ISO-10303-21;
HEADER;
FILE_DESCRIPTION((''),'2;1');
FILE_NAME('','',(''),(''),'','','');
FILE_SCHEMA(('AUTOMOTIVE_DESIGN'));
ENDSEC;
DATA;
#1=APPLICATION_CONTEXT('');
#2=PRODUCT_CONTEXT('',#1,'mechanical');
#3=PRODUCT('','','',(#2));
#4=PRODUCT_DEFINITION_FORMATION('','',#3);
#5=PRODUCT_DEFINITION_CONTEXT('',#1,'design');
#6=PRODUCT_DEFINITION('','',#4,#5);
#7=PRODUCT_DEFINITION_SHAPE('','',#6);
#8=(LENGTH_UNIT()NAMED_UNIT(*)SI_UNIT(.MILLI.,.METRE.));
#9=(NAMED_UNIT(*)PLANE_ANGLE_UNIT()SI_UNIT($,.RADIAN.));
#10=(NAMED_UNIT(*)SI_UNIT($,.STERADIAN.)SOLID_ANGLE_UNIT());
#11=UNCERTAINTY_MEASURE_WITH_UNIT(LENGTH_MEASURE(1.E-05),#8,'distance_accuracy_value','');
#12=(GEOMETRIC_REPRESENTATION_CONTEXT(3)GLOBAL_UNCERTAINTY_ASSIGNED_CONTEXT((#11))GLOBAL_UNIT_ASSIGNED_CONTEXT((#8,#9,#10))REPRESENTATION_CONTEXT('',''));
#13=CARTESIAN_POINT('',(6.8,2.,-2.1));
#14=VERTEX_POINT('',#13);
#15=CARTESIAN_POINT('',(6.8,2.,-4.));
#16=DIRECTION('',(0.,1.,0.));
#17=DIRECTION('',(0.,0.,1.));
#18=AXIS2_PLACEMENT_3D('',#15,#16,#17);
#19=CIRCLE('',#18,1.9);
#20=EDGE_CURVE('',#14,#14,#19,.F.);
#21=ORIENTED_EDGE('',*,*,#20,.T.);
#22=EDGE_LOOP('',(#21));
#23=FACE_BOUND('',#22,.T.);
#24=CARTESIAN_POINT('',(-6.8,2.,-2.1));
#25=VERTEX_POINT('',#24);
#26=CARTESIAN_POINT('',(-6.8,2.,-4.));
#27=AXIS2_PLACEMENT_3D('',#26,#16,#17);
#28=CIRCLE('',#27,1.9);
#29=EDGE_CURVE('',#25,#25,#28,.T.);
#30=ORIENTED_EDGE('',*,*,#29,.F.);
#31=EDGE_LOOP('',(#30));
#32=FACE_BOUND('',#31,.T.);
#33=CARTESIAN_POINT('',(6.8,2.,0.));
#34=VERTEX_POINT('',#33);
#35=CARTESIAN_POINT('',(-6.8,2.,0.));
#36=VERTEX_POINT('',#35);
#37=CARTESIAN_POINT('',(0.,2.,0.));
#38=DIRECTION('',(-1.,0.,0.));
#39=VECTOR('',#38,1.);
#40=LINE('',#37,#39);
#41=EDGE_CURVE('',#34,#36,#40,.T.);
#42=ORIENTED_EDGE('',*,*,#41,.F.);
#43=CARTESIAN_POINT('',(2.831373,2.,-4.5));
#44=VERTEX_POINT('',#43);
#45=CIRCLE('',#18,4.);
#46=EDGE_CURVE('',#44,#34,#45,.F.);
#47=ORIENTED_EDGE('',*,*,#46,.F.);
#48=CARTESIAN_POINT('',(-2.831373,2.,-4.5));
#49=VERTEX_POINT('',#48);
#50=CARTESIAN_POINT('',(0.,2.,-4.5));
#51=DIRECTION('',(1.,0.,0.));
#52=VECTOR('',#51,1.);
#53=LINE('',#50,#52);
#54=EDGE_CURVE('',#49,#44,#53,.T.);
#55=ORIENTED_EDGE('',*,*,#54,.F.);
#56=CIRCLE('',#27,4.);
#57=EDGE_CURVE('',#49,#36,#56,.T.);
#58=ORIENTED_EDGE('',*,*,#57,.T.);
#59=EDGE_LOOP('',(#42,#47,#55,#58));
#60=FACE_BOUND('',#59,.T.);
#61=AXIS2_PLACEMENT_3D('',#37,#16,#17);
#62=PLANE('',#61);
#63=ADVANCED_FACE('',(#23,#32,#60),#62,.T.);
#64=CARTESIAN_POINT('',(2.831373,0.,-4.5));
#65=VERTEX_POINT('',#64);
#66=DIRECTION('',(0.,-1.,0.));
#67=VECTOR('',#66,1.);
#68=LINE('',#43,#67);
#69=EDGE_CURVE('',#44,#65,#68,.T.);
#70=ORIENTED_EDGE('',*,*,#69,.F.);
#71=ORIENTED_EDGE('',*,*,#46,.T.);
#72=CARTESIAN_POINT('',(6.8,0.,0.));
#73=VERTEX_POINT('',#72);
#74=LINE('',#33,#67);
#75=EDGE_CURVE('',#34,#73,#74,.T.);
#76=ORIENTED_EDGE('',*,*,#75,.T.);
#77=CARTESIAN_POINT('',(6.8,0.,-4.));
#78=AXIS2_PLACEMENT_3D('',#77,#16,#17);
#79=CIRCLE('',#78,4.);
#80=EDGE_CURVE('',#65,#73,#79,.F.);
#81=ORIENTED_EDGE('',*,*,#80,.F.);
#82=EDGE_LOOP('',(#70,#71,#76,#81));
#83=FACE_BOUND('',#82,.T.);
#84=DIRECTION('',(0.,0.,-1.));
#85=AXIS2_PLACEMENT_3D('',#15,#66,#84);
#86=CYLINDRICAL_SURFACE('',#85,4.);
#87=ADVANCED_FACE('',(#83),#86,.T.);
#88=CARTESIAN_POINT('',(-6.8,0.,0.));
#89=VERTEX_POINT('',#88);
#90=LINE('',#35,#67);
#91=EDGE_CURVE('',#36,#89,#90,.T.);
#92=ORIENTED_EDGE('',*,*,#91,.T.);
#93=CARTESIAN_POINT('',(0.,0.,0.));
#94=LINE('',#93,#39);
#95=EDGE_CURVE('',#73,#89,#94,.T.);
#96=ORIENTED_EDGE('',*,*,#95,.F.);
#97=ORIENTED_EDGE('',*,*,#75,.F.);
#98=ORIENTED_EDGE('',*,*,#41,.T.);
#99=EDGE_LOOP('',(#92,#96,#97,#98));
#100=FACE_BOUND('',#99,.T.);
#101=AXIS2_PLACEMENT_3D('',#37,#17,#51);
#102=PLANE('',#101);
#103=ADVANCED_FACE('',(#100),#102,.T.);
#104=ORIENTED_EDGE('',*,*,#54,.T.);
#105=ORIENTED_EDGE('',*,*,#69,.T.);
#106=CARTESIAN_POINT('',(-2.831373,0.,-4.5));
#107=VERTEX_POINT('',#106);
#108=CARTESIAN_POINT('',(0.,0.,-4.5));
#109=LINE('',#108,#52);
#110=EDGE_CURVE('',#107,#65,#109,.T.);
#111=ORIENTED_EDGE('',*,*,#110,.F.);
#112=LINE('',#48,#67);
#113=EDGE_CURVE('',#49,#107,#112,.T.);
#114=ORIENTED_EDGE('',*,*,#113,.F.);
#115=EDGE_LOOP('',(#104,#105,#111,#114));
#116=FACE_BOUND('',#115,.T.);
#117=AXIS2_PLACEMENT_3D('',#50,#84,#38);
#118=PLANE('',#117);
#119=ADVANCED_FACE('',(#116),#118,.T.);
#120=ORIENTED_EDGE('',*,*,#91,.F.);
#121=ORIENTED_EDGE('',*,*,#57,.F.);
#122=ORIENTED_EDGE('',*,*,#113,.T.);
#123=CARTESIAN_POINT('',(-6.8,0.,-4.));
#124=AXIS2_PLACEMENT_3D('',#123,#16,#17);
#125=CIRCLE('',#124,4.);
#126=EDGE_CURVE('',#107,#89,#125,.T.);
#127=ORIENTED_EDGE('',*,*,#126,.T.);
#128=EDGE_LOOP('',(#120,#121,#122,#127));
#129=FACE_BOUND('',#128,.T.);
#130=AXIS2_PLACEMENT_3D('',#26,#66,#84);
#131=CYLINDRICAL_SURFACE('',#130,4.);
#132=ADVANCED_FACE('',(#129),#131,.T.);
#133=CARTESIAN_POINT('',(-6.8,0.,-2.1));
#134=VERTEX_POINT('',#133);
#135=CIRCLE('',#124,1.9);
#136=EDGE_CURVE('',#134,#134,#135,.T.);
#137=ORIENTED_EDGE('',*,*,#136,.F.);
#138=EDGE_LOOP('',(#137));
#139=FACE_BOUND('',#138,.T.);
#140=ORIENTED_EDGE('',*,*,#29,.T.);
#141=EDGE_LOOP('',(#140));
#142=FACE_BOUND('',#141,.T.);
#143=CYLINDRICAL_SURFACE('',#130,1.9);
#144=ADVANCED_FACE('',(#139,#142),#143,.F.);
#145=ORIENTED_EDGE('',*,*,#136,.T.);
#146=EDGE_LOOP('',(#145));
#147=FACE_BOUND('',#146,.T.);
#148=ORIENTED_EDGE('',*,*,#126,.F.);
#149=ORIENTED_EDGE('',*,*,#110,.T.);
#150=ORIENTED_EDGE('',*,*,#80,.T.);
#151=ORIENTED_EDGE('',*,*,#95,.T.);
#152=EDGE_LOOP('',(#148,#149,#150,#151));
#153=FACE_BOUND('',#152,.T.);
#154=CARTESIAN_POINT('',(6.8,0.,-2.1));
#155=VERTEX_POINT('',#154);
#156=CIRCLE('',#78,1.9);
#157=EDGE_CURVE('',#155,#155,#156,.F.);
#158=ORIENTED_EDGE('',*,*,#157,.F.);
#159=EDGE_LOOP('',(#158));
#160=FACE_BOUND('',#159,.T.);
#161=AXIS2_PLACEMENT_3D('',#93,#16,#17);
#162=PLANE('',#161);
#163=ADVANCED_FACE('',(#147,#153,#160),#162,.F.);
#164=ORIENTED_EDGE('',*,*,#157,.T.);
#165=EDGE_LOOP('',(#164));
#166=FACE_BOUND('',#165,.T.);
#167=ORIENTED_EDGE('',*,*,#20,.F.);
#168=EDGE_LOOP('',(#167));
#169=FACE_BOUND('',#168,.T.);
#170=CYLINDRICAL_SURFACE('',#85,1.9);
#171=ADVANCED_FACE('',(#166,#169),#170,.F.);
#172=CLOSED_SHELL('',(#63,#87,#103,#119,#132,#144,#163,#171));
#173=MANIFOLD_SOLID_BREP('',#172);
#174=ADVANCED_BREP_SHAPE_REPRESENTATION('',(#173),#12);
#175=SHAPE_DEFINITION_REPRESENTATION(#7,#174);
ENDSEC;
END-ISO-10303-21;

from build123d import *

# Parameters (mm, degrees)
SKETCH1_R           = 4
SKETCH1_R_2         = 1.9
BOSS_EXTRUDE1_DEPTH = 2


with BuildPart() as part:
    # Sketch1 → Boss-Extrude1 (new body)
    # profile 1 of 4: a face of its own
    with BuildSketch(Plane(origin=(0, 0, 0), x_dir=(1, 0, 0), z_dir=(0, 1, 0))):
        with Locations((-6.8, 4)):
            Circle(SKETCH1_R)
        with Locations(Location((-6.8, 4, 0), (0, 0, 270))):
            Circle(SKETCH1_R_2, mode=Mode.SUBTRACT)
    # profile 2 of 4: a face of its own
    with BuildSketch(Plane(origin=(0, 0, 0), x_dir=(1, 0, 0), z_dir=(0, 1, 0))):
        with BuildLine():
            Line((-6.8, 0), (0, 0))
            Line((0, 0), (0, 4.5))
            Line((0, 4.5), (-2.831373033, 4.5))
            ThreePointArc((-2.831373033, 4.5), (-2.807850963, 4.25049165), (-2.8, 4))
            ThreePointArc((-2.8, 4), (-3.971572875, 1.171572875), (-6.8, 0))
        make_face()
    # profile 3 of 4: a face of its own
    with BuildSketch(Plane(origin=(0, 0, 0), x_dir=(1, 0, 0), z_dir=(0, 1, 0))):
        with BuildLine():
            Line((0, 4.5), (0, 0))
            Line((0, 0), (6.8, 0))
            ThreePointArc((6.8, 0), (3.8, 1.354248689), (2.831373033, 4.5))
            Line((2.831373033, 4.5), (0, 4.5))
        make_face()
    # profile 4 of 4: a face of its own
    with BuildSketch(Plane(origin=(0, 0, 0), x_dir=(1, 0, 0), z_dir=(0, 1, 0))):
        with Locations((6.8, 4)):
            Circle(SKETCH1_R)
        with Locations(Location((6.8, 4, 0), (0, 0, 270))):
            Circle(SKETCH1_R_2, mode=Mode.SUBTRACT)
    extrude(amount=BOSS_EXTRUDE1_DEPTH)


solid = part.part
